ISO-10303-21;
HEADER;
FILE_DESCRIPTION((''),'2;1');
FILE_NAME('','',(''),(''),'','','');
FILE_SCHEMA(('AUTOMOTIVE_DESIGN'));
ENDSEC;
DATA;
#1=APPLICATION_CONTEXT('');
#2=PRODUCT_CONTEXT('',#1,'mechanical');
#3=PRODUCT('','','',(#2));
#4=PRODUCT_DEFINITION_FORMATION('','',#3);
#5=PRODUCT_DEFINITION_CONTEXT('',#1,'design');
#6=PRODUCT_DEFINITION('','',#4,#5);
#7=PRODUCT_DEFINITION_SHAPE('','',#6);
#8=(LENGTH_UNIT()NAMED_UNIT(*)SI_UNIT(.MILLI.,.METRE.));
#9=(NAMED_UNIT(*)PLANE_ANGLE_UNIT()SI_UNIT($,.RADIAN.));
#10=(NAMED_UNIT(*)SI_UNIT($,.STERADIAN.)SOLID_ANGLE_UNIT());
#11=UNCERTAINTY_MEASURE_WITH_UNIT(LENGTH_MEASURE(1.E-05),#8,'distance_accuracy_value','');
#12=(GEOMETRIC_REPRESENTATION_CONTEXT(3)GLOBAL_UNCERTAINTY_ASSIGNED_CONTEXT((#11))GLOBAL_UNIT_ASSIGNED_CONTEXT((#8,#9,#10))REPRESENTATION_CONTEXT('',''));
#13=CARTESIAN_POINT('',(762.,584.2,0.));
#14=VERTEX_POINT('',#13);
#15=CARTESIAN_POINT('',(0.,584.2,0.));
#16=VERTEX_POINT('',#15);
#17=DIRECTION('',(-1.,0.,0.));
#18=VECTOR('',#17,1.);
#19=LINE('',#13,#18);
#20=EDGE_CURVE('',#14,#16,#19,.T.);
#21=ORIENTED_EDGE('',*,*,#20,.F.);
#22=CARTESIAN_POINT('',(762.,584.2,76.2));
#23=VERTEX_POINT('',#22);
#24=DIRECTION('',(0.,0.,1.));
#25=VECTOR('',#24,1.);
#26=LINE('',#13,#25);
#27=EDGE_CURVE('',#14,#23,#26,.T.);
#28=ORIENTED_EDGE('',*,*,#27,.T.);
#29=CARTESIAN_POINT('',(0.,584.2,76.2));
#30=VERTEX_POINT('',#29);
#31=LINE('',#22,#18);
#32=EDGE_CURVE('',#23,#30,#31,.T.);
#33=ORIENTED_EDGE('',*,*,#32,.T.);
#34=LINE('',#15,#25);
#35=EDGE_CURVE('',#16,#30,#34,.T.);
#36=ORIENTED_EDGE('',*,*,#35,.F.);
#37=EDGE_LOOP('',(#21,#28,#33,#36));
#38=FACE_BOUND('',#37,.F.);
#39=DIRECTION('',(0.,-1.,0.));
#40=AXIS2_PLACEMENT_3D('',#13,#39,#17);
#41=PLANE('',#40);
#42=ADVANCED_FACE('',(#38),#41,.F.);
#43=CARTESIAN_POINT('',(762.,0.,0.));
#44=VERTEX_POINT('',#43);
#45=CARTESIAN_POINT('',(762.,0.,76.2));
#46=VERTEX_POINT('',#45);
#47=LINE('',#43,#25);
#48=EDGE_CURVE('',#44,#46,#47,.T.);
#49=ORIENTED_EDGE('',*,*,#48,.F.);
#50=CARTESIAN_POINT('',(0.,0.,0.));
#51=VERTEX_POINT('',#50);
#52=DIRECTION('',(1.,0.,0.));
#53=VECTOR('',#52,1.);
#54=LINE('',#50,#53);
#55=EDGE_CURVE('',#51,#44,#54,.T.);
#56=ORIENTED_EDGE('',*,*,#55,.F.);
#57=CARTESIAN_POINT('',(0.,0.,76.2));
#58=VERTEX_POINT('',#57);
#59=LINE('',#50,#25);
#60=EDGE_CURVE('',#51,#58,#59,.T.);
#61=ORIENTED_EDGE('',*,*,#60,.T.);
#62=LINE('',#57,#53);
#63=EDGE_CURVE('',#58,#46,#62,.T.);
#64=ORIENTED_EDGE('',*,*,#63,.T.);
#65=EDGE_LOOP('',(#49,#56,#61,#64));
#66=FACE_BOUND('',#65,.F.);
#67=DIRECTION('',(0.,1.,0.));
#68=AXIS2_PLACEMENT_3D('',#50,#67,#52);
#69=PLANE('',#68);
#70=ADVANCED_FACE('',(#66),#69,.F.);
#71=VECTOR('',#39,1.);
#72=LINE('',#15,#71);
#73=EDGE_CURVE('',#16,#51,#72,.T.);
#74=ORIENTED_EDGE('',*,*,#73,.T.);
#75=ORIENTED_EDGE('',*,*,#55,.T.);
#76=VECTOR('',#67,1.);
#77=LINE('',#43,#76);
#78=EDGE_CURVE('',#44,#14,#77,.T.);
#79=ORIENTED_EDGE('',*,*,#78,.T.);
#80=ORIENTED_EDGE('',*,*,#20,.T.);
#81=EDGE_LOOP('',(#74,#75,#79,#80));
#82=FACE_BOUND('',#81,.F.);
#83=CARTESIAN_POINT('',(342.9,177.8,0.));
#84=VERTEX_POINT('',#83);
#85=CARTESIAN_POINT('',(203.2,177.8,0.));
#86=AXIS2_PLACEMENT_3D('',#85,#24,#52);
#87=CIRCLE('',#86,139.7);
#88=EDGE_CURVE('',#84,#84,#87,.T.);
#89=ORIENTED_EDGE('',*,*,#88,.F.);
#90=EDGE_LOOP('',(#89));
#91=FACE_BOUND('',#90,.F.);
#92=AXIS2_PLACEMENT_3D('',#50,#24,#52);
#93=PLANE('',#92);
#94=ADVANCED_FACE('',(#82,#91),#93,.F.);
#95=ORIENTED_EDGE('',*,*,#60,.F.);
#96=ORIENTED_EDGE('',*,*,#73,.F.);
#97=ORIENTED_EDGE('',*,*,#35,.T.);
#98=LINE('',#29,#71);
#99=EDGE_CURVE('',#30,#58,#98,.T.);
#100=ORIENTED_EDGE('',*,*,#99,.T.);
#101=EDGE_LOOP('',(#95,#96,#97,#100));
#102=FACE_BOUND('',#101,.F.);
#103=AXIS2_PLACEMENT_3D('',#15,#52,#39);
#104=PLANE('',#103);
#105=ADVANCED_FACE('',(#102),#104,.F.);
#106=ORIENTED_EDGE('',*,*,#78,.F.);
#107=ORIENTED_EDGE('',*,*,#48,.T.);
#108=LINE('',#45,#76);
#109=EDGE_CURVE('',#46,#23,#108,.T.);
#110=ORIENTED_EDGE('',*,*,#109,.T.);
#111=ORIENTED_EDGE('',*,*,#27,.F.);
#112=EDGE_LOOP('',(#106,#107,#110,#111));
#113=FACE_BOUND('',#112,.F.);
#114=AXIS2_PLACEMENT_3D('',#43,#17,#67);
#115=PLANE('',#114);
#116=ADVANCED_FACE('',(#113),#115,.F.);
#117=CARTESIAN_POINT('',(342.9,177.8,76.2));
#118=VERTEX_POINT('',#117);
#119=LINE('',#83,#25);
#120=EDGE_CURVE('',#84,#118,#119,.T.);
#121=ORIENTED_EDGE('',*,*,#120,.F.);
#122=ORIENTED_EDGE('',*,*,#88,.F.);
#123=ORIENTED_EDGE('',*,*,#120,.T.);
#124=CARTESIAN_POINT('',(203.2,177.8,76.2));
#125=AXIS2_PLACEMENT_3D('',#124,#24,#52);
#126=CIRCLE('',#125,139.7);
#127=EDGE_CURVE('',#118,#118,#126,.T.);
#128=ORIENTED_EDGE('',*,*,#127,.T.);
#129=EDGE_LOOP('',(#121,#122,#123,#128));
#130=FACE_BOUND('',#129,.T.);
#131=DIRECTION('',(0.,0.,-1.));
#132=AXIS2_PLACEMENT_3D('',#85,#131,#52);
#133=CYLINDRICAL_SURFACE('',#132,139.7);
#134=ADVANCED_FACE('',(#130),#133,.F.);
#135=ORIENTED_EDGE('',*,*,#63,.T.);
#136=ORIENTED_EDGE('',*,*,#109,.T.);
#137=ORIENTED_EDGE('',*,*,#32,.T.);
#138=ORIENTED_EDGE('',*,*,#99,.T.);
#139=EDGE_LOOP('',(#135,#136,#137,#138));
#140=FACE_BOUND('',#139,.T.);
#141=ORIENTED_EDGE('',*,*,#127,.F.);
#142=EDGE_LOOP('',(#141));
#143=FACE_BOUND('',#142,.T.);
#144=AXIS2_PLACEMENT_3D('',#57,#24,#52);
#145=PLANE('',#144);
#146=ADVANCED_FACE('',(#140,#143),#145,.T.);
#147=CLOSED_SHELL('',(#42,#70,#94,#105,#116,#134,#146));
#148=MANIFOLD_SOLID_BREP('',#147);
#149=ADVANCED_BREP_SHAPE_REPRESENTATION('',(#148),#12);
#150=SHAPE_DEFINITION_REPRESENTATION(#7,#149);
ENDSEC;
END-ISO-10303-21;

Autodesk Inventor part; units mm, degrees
ref_plane "YZ Plane" through (0, 0, 0) normal (1, 0, 0) x (0, 1, 0)
ref_plane "XZ Plane" through (0, 0, 0) normal (0, 1, 0) x (-1, 0, 0)
ref_plane "XY Plane" through (0, 0, 0) normal (0, 0, 1) x (1, 0, 0)
sketch "Sketch1" plane through (0, 0, 0) normal (0, 0, 1) x (1, 0, 0)
  line L0 (0, 0) -> (762, 0)
  line L1 (762, 0) -> (762, 584.2)
  line L2 (762, 584.2) -> (0, 584.2)
  line L3 (0, 584.2) -> (0, 0)
  circle A0 centre (203.2, 177.8) radius 139.7
  dimension "d0" = 584.2
  dimension "d1" = 762
  dimension "d2" = 279.4
  dimension "d3" = 177.8
  dimension "d4" = 203.2
extrude "Extrusion1" add sketch "Sketch1" along normal blind 76.2
properties part number "LauncherRepresentation"
